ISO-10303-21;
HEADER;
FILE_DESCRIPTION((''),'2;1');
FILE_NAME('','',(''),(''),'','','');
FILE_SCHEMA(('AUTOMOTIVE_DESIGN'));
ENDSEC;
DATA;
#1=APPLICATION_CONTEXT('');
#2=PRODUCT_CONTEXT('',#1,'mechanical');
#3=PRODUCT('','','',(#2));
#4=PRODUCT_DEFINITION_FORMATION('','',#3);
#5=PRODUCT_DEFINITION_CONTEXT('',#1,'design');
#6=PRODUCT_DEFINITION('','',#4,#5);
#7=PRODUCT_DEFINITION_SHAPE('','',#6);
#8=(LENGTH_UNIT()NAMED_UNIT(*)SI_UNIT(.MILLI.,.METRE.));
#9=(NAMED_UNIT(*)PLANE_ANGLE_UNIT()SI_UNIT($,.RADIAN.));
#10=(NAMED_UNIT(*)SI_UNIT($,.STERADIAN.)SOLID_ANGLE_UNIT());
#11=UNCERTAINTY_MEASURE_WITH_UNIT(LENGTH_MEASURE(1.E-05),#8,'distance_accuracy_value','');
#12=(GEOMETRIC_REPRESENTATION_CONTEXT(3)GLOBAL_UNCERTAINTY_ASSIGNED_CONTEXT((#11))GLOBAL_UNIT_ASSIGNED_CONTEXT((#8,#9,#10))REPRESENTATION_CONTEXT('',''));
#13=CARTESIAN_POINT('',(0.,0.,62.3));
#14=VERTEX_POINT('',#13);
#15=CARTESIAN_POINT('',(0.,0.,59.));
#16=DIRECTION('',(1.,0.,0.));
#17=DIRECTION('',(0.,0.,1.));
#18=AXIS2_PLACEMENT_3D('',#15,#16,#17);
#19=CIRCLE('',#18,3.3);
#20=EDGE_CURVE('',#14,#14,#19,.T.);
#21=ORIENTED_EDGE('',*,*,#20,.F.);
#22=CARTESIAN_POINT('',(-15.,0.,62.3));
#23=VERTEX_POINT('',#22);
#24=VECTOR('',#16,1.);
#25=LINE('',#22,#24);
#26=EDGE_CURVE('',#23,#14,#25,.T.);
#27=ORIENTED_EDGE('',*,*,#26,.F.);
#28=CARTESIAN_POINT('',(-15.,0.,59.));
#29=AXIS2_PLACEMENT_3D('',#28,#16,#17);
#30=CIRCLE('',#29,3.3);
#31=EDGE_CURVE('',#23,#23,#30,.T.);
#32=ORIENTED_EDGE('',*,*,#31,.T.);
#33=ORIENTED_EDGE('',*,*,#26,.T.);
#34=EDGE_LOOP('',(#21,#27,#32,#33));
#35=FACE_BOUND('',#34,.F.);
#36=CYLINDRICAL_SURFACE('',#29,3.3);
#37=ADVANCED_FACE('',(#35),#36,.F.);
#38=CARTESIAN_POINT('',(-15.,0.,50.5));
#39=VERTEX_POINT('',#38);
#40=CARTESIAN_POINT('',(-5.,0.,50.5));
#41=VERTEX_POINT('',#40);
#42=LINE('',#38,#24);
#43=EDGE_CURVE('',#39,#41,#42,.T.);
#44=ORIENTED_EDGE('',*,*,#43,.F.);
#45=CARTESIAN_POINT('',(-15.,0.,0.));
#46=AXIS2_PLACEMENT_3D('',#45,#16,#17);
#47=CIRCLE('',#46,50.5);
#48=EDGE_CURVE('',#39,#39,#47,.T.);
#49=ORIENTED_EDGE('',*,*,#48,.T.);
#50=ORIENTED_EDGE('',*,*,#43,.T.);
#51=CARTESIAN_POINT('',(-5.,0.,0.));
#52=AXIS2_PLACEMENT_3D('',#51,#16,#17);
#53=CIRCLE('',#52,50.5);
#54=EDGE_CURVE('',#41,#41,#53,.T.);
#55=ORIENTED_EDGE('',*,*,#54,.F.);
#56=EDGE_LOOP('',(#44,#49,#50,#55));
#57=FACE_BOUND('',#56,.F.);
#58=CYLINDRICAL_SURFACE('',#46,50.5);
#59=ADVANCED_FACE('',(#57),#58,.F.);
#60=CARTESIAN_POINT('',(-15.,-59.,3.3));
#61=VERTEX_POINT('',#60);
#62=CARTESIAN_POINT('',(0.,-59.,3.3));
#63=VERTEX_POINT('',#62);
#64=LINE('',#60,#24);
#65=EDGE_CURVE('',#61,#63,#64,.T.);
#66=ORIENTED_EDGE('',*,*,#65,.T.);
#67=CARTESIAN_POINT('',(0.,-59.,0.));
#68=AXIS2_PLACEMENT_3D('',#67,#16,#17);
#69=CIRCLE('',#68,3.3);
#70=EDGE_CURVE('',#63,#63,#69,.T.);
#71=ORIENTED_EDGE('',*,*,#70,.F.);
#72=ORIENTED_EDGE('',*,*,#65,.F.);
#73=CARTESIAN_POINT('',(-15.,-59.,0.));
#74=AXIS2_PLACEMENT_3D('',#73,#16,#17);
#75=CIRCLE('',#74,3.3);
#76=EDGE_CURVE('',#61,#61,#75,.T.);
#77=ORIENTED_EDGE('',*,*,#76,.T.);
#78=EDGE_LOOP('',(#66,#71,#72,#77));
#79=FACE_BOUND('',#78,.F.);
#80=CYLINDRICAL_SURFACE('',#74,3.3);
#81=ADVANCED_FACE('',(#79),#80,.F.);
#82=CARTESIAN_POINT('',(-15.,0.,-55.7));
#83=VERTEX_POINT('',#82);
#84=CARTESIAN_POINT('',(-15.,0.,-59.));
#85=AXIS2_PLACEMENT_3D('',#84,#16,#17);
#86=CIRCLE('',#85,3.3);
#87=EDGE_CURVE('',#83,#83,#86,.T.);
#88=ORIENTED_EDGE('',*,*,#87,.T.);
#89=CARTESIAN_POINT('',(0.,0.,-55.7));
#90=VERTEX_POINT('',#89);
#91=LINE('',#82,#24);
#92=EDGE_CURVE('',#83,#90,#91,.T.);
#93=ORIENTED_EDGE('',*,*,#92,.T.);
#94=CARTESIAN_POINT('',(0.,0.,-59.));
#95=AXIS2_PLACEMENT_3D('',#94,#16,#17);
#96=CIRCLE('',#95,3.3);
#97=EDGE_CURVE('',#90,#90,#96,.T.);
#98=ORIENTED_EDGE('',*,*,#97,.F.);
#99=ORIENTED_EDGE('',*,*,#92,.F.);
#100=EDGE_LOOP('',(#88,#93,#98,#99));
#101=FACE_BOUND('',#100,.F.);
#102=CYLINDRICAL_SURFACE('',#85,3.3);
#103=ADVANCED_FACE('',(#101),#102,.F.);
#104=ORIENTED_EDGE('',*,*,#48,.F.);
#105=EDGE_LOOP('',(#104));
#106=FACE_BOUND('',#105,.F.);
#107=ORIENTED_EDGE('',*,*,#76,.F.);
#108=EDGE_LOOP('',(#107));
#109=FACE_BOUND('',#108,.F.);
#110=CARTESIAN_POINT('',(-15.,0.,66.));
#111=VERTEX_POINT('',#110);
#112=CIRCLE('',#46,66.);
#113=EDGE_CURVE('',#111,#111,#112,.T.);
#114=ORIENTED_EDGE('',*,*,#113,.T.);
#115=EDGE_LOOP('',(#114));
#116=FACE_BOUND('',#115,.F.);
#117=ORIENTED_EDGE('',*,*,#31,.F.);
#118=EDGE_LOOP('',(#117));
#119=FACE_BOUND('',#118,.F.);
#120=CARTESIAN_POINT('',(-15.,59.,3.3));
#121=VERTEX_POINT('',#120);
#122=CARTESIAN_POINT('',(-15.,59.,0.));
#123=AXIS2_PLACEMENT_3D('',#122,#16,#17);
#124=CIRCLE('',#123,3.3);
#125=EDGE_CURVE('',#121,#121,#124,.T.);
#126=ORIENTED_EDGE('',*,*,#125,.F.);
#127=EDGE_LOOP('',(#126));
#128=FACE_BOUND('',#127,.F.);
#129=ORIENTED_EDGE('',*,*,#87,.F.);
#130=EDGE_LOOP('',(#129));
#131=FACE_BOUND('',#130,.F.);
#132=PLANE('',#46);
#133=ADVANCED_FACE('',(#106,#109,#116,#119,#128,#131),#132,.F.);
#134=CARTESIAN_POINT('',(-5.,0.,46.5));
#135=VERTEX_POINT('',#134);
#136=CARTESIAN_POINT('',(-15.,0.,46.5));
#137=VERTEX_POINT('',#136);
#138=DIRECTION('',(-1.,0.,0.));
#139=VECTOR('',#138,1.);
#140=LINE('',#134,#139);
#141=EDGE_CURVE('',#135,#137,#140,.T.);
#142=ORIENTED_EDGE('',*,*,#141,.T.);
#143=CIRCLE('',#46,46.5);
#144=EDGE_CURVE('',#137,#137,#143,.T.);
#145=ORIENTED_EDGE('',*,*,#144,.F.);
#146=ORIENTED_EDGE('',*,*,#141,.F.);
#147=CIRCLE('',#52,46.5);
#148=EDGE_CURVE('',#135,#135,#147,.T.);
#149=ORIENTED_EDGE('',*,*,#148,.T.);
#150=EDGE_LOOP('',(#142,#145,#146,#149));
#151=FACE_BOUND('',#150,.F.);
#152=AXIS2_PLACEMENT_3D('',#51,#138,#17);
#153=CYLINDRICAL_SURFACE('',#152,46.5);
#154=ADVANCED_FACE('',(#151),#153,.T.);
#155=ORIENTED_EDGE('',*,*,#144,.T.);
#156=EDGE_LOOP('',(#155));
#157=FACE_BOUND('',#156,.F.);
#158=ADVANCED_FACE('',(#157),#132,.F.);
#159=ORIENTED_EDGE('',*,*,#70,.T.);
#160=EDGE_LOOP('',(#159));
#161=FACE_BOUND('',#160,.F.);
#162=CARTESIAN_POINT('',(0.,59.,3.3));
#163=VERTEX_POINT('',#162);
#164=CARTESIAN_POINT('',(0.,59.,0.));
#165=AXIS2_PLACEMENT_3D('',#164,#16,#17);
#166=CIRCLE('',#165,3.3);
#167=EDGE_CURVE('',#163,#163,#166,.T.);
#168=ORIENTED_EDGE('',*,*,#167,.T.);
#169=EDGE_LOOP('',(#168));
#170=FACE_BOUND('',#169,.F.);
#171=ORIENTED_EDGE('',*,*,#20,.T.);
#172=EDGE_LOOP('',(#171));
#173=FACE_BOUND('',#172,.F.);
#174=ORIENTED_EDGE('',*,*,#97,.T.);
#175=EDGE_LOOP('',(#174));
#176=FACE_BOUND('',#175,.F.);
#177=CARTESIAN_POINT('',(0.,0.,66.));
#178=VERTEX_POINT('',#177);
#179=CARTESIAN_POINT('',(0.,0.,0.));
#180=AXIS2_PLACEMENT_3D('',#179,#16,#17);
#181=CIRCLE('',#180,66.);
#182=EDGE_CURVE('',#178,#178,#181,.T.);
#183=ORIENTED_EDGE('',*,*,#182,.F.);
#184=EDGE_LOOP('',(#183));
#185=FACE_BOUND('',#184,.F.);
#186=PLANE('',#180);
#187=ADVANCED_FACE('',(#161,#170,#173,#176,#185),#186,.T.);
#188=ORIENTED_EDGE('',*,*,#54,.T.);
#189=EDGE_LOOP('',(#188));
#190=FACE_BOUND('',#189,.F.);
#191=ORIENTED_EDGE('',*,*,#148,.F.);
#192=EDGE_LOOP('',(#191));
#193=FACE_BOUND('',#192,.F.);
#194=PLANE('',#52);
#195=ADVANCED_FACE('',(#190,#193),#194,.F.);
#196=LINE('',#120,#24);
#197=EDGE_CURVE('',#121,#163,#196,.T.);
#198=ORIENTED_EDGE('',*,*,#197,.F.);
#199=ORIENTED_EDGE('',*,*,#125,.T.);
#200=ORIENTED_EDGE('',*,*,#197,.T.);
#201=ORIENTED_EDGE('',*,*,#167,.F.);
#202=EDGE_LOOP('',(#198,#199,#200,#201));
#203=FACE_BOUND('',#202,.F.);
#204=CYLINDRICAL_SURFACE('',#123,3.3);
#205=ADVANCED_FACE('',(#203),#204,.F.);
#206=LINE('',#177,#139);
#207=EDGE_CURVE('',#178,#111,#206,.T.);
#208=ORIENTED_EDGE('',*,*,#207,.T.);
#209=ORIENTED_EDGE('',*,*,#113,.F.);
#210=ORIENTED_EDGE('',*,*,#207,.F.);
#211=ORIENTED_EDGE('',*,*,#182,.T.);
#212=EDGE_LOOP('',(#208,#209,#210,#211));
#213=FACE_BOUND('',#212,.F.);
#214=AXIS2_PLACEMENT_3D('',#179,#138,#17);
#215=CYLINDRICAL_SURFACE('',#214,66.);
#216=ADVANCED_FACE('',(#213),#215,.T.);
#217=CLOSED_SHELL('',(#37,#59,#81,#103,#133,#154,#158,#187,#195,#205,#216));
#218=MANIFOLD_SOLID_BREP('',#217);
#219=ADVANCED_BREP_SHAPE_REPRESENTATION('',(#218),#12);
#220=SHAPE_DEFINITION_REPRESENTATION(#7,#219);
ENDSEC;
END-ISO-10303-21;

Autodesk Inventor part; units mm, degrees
ref_plane "YZ Plane" through (0, 0, 0) normal (1, 0, 0) x (0, 1, 0)
ref_plane "XZ Plane" through (0, 0, 0) normal (0, 1, 0) x (-1, 0, 0)
ref_plane "XY Plane" through (0, 0, 0) normal (0, 0, 1) x (1, 0, 0)
sketch "Sketch4" plane through (0, 0, 0) normal (0, 1, 0) x (-1, 0, 0)
  line L0 (0, 0) -> (0, 66)
  line L1 (0, 66) -> (15, 66)
  line L2 (15, 66) -> (15, 50.5)
  line L3 (15, 50.5) -> (5, 50.5)
  line L4 (5, 50.5) -> (5, 46.5)
  line L5 (5, 46.5) -> (15, 46.5)
  line L6 (15, 46.5) -> (15, 0)
  line L7 (15, 0) -> (0, 0)
  dimension "d6" = 66
  dimension "d7" = 15
  dimension "d8" = 15.5
  dimension "d9" = 10
  dimension "d10" = 4
revolve "Revolution1" add sketch "Sketch4" angle 360 about axis through (-15, 0, 0) along (1, 0, 0)
sketch "Sketch5" plane through (-15, 0, 0) normal (-1, 0, 0) x (0, 0, 1)
  point P0 (0, 0)
sketch "Sketch6" plane through (-15, 0, 0) normal (-1, 0, 0) x (0, 0, 1)
  circle A0 centre (0, 0) radius 59
  point P0 (59, 0)
  point P1 (0, -59)
  point P2 (-59, 0)
  point P3 (0, 59)
  dimension "d13" = 118
hole "Hole1" at (-15, 0, 59) at (-15, -59, 0) at (-15, 0, -59) at (-15, 59, 0) direction (1, 0, 0) diameter 6.6 end through all clearance for "Flat Head Machine Screw" size "M6" standard "Ansi Metric M Profile"
properties part number "100mm-FlangeBottom-Sketch"
